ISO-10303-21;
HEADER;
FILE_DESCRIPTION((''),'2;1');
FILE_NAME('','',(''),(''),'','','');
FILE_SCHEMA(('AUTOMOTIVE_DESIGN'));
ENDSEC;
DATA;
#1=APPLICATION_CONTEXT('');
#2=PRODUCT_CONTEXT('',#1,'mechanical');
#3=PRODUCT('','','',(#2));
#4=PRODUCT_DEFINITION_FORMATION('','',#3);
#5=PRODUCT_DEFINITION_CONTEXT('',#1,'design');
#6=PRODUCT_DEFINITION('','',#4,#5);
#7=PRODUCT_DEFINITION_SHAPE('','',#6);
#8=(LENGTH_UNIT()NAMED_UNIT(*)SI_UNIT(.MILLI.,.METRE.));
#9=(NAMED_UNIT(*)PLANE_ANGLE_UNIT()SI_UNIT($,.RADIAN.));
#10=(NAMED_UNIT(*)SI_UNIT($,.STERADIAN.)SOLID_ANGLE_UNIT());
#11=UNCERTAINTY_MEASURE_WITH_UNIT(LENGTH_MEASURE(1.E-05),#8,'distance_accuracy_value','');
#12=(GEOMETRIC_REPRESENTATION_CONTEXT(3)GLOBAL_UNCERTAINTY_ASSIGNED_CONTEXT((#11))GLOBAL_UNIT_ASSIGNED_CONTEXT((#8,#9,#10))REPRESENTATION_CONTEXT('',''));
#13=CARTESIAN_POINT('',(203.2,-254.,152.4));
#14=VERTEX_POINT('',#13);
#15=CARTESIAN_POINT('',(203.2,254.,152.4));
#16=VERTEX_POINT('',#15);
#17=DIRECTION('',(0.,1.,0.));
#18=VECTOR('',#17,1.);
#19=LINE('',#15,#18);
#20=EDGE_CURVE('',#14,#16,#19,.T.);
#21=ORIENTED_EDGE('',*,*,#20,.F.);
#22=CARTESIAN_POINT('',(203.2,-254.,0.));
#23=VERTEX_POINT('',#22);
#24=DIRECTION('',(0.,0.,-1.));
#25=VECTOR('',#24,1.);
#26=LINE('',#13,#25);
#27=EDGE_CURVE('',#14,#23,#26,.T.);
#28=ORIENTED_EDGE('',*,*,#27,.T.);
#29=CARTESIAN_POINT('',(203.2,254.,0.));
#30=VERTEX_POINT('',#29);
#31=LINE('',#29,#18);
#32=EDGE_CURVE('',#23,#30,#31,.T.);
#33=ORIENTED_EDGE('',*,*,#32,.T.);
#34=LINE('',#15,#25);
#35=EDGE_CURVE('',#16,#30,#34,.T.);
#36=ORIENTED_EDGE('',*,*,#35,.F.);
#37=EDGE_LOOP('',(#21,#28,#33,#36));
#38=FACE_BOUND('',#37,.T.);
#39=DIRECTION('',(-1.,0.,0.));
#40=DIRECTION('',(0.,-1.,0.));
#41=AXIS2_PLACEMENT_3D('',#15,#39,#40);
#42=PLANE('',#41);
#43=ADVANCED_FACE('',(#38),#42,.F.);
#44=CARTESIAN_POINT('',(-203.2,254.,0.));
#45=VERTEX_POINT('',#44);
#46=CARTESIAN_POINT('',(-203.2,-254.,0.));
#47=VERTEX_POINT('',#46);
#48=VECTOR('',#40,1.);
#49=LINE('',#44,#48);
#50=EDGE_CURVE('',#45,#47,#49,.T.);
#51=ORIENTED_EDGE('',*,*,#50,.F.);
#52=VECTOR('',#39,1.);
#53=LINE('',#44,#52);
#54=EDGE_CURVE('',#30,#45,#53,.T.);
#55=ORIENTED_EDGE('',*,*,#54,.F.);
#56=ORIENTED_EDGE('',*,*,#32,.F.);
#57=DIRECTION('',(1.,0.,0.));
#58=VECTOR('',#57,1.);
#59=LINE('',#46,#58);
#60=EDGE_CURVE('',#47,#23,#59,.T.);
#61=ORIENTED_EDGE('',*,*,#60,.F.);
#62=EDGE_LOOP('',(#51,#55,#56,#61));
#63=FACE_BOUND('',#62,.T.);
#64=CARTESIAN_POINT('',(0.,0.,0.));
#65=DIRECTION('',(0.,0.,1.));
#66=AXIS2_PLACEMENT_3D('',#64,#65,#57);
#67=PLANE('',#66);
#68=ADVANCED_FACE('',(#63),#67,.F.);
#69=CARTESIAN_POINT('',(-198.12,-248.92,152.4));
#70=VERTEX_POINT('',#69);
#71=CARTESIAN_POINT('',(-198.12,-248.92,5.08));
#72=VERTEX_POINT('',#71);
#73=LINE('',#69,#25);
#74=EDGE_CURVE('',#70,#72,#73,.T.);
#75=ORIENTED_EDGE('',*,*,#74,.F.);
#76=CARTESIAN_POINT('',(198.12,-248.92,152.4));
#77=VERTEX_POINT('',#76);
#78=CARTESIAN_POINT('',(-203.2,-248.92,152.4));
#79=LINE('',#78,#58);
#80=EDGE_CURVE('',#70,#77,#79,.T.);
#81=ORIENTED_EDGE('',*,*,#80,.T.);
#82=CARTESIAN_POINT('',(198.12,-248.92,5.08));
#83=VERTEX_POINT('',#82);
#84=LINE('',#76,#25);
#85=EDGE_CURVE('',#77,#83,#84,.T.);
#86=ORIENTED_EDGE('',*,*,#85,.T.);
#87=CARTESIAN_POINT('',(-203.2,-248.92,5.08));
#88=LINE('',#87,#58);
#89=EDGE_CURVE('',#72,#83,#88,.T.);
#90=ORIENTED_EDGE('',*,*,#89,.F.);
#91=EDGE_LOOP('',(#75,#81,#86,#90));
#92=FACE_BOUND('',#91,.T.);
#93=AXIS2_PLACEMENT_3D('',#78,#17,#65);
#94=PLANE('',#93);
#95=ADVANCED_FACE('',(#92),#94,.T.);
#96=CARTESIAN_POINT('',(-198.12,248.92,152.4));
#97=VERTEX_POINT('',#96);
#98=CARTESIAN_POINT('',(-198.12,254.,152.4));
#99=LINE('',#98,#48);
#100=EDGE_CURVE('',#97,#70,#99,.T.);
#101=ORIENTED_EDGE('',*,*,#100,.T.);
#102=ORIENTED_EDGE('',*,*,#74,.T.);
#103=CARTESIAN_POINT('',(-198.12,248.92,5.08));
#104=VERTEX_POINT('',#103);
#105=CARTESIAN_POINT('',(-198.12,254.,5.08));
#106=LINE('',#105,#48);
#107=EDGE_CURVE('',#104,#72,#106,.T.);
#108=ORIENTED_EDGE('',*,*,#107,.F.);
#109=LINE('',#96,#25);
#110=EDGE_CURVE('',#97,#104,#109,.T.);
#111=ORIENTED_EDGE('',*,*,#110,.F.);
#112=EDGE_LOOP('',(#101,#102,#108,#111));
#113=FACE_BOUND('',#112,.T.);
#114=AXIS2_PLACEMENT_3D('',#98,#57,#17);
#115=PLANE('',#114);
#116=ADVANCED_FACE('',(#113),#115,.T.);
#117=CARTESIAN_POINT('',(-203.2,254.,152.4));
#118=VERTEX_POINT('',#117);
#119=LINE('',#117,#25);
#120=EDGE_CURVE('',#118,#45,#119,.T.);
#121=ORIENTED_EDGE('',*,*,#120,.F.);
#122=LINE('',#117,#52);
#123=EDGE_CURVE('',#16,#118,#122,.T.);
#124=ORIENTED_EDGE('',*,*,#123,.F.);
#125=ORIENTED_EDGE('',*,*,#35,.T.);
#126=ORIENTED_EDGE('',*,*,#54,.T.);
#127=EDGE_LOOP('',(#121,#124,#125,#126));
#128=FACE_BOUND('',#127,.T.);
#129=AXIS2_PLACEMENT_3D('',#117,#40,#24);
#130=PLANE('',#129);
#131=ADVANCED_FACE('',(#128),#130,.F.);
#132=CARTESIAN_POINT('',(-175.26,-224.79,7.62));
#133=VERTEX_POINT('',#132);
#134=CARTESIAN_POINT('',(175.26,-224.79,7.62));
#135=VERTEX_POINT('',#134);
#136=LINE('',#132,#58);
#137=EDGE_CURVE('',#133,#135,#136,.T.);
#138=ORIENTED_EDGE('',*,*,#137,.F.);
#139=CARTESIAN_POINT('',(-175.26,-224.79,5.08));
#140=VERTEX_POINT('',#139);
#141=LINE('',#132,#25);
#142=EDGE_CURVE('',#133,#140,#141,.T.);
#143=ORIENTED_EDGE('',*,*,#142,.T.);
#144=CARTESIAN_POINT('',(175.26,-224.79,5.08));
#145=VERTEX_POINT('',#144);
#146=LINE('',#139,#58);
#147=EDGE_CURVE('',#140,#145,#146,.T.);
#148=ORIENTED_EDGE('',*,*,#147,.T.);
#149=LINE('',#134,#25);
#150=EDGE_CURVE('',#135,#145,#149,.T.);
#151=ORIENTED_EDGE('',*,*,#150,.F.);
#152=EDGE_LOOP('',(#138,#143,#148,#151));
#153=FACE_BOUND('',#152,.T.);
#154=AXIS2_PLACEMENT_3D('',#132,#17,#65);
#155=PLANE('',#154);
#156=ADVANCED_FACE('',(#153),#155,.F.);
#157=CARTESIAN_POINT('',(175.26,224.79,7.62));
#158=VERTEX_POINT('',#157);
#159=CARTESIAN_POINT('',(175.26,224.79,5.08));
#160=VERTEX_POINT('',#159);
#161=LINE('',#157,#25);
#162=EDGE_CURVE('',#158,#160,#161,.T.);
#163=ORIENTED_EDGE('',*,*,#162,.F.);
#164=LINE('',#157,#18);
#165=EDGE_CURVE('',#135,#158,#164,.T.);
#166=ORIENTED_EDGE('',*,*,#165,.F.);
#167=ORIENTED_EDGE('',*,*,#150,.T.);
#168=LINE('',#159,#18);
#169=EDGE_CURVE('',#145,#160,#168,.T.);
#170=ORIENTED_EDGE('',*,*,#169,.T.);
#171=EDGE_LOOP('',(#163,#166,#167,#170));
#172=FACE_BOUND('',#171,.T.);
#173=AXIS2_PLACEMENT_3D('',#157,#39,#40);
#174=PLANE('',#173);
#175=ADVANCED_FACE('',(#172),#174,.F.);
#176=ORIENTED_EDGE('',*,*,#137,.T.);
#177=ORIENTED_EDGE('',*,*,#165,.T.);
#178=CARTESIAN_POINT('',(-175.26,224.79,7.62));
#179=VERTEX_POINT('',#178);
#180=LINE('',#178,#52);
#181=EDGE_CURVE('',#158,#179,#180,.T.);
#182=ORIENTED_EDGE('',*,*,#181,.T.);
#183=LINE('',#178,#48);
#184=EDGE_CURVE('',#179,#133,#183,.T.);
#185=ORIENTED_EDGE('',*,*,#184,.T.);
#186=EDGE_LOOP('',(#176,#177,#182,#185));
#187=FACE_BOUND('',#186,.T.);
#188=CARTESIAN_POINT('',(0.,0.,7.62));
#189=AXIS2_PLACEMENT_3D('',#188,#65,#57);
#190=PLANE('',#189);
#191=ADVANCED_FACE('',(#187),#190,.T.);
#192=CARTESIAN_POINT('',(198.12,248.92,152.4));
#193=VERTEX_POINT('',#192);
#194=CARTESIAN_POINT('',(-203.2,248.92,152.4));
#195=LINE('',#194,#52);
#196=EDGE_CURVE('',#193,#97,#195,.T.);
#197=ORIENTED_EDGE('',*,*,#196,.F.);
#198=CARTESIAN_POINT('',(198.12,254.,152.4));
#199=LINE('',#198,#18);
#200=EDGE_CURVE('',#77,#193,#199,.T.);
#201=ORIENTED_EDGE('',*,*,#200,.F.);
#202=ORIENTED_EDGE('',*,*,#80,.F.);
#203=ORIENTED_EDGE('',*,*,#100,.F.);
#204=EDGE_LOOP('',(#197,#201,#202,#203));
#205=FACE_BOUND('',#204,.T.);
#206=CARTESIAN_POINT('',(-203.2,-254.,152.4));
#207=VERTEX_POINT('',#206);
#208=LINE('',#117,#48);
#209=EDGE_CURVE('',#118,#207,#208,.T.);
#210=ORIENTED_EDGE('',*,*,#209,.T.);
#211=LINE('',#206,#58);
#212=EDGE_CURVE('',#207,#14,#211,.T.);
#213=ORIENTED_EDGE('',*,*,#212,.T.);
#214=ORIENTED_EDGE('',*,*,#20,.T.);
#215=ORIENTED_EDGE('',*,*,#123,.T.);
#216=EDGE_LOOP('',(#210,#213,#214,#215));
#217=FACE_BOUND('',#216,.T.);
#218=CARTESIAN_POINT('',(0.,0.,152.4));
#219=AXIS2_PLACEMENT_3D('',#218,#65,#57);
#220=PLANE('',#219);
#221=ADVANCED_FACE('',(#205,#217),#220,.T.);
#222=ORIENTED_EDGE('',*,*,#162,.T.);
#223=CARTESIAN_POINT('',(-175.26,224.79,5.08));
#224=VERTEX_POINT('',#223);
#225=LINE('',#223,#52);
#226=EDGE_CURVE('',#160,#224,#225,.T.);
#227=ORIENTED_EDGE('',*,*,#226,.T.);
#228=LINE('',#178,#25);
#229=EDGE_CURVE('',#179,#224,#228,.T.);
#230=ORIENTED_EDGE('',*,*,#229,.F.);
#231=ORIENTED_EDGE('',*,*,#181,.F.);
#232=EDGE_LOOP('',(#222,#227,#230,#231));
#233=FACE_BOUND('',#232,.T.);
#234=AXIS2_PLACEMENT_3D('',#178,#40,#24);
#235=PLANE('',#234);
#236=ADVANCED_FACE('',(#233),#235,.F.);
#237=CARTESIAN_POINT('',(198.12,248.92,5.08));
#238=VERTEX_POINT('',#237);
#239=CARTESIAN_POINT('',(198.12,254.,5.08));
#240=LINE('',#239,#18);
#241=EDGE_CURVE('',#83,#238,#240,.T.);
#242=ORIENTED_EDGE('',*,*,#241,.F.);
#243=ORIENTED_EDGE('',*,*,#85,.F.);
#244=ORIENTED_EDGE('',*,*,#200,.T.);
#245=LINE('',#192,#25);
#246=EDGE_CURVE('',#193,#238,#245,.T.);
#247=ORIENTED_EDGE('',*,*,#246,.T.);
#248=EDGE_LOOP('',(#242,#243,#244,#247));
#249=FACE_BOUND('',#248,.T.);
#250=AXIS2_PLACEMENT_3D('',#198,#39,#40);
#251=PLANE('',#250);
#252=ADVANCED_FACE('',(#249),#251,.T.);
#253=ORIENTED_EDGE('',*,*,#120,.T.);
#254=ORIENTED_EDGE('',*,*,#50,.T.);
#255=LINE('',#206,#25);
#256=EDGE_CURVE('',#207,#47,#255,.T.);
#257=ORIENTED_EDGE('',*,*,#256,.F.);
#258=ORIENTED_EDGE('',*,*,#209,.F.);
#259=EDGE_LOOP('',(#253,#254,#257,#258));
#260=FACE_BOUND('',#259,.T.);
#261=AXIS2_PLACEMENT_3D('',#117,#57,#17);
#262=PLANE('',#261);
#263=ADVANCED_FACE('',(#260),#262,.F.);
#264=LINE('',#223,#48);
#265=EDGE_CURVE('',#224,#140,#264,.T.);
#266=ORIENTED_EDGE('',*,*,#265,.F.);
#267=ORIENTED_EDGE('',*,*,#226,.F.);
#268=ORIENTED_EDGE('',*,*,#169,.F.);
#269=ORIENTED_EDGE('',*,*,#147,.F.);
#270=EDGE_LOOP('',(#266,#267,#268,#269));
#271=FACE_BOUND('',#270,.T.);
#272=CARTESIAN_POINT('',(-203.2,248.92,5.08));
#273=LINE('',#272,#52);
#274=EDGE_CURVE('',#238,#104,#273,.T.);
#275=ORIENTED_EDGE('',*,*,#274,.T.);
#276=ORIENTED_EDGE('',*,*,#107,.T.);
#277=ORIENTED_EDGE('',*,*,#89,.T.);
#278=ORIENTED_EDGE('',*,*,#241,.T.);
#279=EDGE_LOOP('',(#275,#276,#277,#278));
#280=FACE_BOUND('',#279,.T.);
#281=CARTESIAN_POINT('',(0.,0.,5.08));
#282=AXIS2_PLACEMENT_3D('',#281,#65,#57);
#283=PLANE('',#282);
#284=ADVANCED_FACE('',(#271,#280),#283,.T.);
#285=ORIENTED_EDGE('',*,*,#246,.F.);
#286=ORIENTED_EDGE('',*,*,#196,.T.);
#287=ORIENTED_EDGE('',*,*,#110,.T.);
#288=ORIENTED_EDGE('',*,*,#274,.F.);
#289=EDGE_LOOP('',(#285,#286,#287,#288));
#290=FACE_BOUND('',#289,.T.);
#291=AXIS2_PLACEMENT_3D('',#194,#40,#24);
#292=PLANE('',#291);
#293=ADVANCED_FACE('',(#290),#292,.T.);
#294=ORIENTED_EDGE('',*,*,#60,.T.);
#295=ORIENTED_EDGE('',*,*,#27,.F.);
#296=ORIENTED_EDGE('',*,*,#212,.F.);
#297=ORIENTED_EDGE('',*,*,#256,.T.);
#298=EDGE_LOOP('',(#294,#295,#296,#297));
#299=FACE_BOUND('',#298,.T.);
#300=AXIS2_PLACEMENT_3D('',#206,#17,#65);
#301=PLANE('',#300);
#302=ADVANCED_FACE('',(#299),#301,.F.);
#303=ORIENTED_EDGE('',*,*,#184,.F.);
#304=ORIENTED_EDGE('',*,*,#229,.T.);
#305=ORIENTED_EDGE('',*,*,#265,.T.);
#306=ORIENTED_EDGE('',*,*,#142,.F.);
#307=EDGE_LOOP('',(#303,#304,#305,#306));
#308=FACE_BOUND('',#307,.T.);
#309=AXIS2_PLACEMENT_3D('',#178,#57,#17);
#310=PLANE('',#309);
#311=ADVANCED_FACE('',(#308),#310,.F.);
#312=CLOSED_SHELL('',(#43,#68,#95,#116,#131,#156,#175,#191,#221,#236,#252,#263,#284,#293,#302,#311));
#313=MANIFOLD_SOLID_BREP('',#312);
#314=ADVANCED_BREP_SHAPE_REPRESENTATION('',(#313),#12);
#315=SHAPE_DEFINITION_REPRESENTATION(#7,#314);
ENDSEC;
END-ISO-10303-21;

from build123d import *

# Parameters (mm, degrees)
SKETCH1_W           = 406.4
SKETCH1_H           = 508
BOSS_EXTRUDE1_DEPTH = 152.4
SHELL1_T            = -5.08
SKETCH2_W           = 350.52
SKETCH2_H           = 449.58
BOSS_EXTRUDE2_DEPTH = 2.54


with BuildPart() as part:
    # Sketch1 → Boss-Extrude1 (new body)
    with BuildSketch(Plane.XY):
        Rectangle(SKETCH1_W, SKETCH1_H)
    extrude(amount=BOSS_EXTRUDE1_DEPTH)

    # Shell1
    shell1_openings = [part.faces().sort_by_distance(p)[0] for p in [
        (0, 0, 152.4),
    ]]
    offset(amount=SHELL1_T, openings=shell1_openings, kind=Kind.INTERSECTION)

    # Sketch2 → Boss-Extrude2 (add)
    with BuildSketch(Plane.XY.offset(5.08)):
        Rectangle(SKETCH2_W, SKETCH2_H)
    extrude(amount=BOSS_EXTRUDE2_DEPTH)


solid = part.part
